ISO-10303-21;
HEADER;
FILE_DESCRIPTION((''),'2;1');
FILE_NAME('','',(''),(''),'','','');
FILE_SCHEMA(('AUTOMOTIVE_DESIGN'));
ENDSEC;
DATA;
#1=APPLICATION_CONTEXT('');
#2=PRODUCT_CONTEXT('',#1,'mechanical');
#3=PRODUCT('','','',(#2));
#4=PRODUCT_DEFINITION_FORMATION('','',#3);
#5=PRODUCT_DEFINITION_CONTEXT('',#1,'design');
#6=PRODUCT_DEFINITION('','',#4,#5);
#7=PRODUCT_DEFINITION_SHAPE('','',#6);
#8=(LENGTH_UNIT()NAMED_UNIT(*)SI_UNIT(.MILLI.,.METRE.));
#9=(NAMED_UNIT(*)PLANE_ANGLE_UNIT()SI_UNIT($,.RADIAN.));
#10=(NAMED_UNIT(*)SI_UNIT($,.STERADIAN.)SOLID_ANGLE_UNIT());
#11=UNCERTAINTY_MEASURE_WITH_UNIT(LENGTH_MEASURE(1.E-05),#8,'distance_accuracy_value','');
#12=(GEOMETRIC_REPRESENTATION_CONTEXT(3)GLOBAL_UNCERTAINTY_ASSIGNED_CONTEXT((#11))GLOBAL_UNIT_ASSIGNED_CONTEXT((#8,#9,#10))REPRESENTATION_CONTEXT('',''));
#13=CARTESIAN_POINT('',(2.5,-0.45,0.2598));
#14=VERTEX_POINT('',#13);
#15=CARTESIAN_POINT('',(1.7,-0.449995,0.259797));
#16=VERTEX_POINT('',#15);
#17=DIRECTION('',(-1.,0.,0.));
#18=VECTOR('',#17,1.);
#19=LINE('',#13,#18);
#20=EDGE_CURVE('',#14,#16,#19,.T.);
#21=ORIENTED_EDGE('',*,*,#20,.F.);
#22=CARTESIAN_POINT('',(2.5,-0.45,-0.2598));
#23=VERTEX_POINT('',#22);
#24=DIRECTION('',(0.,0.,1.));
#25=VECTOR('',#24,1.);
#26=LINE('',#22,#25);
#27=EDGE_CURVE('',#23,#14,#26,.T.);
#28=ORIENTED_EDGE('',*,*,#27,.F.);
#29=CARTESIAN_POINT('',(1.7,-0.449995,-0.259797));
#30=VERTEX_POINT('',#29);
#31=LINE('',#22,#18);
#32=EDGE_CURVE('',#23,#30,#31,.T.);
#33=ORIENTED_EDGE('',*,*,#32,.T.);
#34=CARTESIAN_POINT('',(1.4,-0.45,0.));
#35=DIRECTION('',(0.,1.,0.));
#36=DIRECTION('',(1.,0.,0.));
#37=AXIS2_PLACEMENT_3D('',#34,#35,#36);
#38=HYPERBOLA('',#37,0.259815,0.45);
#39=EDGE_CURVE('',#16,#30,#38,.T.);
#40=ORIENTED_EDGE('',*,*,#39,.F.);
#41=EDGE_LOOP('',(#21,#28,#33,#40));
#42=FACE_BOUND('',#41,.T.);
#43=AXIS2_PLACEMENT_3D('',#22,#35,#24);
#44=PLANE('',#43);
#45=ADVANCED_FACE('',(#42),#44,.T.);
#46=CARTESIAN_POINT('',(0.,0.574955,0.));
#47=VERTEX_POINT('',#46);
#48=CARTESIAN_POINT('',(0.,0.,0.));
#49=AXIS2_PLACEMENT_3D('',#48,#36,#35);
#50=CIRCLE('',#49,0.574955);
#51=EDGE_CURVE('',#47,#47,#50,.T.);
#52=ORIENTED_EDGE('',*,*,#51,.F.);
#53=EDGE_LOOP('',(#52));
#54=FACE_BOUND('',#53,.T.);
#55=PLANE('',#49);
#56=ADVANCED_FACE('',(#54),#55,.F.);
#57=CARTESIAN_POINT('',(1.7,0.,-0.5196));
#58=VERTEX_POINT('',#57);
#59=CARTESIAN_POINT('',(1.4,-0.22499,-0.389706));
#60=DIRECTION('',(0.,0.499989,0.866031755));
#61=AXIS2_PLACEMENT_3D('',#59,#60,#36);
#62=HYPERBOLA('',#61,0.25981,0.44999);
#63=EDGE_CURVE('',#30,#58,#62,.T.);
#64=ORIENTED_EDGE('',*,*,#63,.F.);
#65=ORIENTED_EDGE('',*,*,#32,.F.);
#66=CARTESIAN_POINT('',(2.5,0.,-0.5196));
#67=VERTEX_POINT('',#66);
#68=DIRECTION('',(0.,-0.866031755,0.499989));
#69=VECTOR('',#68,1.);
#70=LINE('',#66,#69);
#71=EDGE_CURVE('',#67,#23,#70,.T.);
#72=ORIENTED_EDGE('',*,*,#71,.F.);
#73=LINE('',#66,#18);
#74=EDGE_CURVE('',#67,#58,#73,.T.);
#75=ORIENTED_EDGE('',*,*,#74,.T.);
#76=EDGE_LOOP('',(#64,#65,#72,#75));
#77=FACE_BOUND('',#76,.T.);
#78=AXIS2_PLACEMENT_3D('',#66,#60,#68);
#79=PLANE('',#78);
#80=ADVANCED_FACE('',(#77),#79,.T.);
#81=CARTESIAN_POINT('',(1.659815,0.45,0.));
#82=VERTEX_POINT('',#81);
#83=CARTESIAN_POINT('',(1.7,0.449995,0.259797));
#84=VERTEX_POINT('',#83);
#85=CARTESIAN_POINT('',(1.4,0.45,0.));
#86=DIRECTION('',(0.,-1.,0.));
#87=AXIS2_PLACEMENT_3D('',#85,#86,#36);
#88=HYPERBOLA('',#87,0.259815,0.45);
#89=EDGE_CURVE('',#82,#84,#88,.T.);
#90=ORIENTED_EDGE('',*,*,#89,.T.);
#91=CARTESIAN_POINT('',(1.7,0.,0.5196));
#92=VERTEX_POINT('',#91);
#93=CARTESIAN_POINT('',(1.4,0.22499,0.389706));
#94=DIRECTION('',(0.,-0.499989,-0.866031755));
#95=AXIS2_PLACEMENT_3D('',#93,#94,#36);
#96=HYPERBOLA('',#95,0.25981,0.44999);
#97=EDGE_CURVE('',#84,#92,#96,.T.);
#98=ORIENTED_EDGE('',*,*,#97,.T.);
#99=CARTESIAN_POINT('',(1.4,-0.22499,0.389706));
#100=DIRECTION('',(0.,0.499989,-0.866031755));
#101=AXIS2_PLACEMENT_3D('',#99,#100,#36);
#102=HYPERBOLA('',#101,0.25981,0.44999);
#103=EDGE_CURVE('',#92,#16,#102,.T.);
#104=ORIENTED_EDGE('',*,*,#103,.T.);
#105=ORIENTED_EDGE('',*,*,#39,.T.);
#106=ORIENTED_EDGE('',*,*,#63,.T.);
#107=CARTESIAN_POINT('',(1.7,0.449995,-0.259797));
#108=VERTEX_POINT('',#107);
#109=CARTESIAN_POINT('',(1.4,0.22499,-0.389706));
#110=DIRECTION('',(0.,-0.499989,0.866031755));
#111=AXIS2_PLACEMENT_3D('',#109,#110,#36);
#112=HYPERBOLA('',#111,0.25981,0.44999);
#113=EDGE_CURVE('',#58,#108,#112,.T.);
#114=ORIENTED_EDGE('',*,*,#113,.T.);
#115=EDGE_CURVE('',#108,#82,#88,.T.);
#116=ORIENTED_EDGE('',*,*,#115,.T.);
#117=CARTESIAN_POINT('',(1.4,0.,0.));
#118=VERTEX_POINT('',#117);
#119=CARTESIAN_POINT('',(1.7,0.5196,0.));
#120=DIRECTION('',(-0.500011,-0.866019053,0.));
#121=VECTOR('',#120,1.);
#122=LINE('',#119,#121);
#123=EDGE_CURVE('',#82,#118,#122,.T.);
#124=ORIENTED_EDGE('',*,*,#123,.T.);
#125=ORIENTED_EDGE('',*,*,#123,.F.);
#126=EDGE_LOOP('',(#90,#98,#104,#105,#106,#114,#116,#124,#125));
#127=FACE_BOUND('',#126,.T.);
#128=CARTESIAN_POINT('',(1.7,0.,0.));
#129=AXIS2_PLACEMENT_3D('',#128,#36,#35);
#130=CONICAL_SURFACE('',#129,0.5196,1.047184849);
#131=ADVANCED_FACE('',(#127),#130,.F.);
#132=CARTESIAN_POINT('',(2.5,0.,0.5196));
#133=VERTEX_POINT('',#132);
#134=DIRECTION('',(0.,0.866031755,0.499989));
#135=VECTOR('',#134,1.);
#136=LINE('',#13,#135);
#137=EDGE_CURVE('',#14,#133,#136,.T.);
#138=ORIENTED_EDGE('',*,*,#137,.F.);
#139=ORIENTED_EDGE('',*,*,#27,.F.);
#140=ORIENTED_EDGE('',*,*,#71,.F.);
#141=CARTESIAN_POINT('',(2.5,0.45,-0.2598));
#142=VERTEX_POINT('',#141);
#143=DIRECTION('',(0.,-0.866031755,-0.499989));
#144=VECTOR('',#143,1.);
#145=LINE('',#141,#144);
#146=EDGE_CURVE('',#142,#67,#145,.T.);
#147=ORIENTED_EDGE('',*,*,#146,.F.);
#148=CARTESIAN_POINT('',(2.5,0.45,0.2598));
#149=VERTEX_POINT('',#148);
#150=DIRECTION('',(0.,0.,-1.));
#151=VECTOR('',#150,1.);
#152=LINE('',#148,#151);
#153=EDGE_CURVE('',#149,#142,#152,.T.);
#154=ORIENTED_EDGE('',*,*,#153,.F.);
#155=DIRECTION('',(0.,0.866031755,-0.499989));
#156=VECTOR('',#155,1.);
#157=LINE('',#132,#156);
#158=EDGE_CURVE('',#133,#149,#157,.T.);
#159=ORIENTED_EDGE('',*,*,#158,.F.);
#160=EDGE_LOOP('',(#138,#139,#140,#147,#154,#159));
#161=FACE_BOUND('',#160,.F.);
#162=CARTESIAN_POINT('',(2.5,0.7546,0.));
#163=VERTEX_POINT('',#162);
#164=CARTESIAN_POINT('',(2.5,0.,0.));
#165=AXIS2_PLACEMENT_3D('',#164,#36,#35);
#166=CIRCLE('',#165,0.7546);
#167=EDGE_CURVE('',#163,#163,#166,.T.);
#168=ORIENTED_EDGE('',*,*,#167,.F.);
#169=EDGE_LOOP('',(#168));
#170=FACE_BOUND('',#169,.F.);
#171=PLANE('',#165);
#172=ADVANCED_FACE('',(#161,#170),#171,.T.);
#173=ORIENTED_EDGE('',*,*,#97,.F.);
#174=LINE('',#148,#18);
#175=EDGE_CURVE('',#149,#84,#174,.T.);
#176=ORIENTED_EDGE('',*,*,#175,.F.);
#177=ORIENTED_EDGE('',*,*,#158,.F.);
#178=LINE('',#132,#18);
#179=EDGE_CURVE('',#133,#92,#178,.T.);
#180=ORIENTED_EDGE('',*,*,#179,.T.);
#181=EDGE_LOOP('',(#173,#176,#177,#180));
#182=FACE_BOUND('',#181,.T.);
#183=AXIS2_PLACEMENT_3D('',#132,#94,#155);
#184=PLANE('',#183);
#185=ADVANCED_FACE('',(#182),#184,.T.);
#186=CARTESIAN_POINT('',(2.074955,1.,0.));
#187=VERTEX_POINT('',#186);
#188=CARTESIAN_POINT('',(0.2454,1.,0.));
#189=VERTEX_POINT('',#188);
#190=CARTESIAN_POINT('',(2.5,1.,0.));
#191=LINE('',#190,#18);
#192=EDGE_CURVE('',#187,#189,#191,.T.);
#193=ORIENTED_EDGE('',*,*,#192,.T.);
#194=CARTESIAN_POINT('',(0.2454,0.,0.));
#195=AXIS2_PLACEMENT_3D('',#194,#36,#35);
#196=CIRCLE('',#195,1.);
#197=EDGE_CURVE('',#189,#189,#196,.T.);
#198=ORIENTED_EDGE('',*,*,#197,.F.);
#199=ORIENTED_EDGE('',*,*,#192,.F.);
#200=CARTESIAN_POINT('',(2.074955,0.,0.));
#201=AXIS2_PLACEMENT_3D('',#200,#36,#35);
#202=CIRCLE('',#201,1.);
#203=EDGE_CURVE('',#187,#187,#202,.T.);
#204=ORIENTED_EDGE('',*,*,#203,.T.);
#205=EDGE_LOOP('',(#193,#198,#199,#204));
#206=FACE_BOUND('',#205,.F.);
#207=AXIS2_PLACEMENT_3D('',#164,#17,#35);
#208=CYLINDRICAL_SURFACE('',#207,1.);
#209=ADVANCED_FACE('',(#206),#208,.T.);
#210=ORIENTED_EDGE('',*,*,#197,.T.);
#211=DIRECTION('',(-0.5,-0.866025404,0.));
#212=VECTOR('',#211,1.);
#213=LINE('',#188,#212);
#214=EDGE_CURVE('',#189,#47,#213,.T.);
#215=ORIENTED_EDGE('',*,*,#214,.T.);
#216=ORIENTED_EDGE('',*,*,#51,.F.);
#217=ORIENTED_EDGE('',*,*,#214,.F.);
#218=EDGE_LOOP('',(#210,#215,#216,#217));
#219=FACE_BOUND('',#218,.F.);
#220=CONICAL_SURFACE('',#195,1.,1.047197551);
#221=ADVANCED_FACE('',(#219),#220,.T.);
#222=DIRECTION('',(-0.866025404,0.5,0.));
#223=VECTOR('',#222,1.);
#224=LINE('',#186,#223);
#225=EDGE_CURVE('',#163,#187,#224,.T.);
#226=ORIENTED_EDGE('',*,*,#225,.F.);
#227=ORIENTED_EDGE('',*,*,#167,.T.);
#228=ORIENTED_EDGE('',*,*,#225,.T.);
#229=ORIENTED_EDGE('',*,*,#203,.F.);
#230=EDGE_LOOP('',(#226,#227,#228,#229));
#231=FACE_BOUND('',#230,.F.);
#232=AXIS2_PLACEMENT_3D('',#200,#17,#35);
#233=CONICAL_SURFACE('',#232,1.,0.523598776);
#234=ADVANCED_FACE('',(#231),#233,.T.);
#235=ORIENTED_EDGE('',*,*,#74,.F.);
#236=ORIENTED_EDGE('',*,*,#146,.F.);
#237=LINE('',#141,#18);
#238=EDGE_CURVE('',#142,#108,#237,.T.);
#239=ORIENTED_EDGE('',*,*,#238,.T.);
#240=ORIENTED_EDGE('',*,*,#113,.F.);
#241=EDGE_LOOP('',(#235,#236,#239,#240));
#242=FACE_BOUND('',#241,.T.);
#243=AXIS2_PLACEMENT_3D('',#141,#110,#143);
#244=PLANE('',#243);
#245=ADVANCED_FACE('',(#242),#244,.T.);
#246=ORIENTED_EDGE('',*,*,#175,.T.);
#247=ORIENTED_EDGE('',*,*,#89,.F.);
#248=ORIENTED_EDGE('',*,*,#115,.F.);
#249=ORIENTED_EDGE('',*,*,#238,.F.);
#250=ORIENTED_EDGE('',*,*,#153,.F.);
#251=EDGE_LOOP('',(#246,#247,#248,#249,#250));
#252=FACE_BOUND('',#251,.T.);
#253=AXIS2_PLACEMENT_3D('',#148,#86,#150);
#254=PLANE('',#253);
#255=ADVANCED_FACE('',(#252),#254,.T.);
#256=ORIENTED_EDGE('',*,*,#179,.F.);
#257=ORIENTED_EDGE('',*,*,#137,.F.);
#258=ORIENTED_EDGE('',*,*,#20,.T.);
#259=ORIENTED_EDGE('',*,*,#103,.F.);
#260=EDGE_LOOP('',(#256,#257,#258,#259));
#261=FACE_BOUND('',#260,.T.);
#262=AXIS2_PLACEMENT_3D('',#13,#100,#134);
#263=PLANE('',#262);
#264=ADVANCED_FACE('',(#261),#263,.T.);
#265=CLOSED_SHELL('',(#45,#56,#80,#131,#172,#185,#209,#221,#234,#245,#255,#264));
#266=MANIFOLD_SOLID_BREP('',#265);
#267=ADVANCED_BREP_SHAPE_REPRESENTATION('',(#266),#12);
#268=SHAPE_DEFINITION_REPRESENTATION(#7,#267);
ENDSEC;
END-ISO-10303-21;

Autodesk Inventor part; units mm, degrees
ref_plane "YZ Plane" through (0, 0, 0) normal (1, 0, 0) x (0, 1, 0)
ref_plane "XZ Plane" through (0, 0, 0) normal (0, 1, 0) x (-1, 0, 0)
sketch "Skizze1" plane through (0, 0, 0) normal (0, 0, 1) x (1, 0, 0)
  line L0 (0, 0) -> (1.4, 0)
  line L1 (2.5, 0.5196) -> (2.5, 1)
  line L2 (2.5, 1) -> (0, 1)
  line L3 (2.5, 0.5196) -> (1.7, 0.5196)
  line L4 (1.7, 0.5196) -> (1.4, 0)
  line L5 (0, -0.2) -> (0, 1.2) projected
  line L6 (0, 1) -> (0, 0)
  dimension "d0" = 0.8
  dimension "d1" = 60
  dimension "d2" = 2
  dimension "d3" = 1.0392
  dimension "d5" = 2.5
revolve "Körper" add sketch "Skizze1" angle 360 about axis through (0, 0, 0) along (1, 0, 0)
chamfer "Fase1" distance 0.2454 angle 60 1 edges at (2.5, -1, 0) measured on face at (2.5, 0.8252, -0.1212)
sketch "Skizze2" plane through (2.5, 0, 0) normal (1, 0, 0) x (0, 0, -1)
  circle A0 centre (0, 0) radius 0.5196 projected
  line L0 (-0.2598, 0.45) -> (0.2598, 0.45)
  line L1 (0.2598, 0.45) -> (0.5196, 0)
  line L2 (0.5196, 0) -> (0.2598, -0.45)
  line L3 (0.2598, -0.45) -> (-0.2598, -0.45)
  line L4 (-0.2598, -0.45) -> (-0.5196, 0)
  line L5 (-0.5196, 0) -> (-0.2598, 0.45)
extrude "Loch" add sketch "Skizze2" against normal up to next contours L1 A0 | A0 L2 | L0 A0 | A0 L3 | L5 A0 | A0 L4
thread "Gewinde" size "M2x0.4" class "6g" standard "ISO Metric profile" length 2.5
chamfer "Fase2" distance 0.2454 angle 60 1 edges at (0, -1, 0) measured on face at (0.6917, 0.9871, -0.1604)
ref_plane "Work Plane1" through (1.25, 0, 0) normal (0, 0.5, 0.866) x (1, 0, 0)
equation "\"d0\" = INTI"
equation "\"d2\" = NND"
equation "\"d3\" = 1.1547 * SW"
equation "\"d5\" = NLG"
equation "\"d7\" = -0.5 * GD1 + 0.5 * NND"
equation "\"d8\" = FAWI"
equation "\"d29\" = -0.5 * GD1 + 0.5 * NND"
equation "\"d11\" = NLG"
equation "\"d13\" = -0.5 * GD1 + 0.5 * NND"
equation "\"d14\" = FAWI"
equation "\"d30\" = -0.5 * GD1 + 0.5 * NND"
equation "\"NND\" = 2"
equation "\"NLG\" = 2.5"
equation "\"INTI\" = 0.8"
equation "\"FAWI\" = 60deg"
equation "\"SW\" = 0.9"
equation "\"GD1\" = THREADDIA - 1.2269 * PTC"
equation "\"FAWI1\" = 45deg"
equation "\"GUL\" = 0.61345 * PTC"
equation "\"SPD\" = 1"
equation "\"TOA\" = 30deg"
equation "\"THREADDIA\" = 2"
equation "\"PTC\" = 0.4"
equation "\"GAL\" = 0.61345 * PTC"
equation "\"E0\" = 1.155 * SW"
properties part number "BS 4168 - M2 x 2,5" material "Steel, Mild"
